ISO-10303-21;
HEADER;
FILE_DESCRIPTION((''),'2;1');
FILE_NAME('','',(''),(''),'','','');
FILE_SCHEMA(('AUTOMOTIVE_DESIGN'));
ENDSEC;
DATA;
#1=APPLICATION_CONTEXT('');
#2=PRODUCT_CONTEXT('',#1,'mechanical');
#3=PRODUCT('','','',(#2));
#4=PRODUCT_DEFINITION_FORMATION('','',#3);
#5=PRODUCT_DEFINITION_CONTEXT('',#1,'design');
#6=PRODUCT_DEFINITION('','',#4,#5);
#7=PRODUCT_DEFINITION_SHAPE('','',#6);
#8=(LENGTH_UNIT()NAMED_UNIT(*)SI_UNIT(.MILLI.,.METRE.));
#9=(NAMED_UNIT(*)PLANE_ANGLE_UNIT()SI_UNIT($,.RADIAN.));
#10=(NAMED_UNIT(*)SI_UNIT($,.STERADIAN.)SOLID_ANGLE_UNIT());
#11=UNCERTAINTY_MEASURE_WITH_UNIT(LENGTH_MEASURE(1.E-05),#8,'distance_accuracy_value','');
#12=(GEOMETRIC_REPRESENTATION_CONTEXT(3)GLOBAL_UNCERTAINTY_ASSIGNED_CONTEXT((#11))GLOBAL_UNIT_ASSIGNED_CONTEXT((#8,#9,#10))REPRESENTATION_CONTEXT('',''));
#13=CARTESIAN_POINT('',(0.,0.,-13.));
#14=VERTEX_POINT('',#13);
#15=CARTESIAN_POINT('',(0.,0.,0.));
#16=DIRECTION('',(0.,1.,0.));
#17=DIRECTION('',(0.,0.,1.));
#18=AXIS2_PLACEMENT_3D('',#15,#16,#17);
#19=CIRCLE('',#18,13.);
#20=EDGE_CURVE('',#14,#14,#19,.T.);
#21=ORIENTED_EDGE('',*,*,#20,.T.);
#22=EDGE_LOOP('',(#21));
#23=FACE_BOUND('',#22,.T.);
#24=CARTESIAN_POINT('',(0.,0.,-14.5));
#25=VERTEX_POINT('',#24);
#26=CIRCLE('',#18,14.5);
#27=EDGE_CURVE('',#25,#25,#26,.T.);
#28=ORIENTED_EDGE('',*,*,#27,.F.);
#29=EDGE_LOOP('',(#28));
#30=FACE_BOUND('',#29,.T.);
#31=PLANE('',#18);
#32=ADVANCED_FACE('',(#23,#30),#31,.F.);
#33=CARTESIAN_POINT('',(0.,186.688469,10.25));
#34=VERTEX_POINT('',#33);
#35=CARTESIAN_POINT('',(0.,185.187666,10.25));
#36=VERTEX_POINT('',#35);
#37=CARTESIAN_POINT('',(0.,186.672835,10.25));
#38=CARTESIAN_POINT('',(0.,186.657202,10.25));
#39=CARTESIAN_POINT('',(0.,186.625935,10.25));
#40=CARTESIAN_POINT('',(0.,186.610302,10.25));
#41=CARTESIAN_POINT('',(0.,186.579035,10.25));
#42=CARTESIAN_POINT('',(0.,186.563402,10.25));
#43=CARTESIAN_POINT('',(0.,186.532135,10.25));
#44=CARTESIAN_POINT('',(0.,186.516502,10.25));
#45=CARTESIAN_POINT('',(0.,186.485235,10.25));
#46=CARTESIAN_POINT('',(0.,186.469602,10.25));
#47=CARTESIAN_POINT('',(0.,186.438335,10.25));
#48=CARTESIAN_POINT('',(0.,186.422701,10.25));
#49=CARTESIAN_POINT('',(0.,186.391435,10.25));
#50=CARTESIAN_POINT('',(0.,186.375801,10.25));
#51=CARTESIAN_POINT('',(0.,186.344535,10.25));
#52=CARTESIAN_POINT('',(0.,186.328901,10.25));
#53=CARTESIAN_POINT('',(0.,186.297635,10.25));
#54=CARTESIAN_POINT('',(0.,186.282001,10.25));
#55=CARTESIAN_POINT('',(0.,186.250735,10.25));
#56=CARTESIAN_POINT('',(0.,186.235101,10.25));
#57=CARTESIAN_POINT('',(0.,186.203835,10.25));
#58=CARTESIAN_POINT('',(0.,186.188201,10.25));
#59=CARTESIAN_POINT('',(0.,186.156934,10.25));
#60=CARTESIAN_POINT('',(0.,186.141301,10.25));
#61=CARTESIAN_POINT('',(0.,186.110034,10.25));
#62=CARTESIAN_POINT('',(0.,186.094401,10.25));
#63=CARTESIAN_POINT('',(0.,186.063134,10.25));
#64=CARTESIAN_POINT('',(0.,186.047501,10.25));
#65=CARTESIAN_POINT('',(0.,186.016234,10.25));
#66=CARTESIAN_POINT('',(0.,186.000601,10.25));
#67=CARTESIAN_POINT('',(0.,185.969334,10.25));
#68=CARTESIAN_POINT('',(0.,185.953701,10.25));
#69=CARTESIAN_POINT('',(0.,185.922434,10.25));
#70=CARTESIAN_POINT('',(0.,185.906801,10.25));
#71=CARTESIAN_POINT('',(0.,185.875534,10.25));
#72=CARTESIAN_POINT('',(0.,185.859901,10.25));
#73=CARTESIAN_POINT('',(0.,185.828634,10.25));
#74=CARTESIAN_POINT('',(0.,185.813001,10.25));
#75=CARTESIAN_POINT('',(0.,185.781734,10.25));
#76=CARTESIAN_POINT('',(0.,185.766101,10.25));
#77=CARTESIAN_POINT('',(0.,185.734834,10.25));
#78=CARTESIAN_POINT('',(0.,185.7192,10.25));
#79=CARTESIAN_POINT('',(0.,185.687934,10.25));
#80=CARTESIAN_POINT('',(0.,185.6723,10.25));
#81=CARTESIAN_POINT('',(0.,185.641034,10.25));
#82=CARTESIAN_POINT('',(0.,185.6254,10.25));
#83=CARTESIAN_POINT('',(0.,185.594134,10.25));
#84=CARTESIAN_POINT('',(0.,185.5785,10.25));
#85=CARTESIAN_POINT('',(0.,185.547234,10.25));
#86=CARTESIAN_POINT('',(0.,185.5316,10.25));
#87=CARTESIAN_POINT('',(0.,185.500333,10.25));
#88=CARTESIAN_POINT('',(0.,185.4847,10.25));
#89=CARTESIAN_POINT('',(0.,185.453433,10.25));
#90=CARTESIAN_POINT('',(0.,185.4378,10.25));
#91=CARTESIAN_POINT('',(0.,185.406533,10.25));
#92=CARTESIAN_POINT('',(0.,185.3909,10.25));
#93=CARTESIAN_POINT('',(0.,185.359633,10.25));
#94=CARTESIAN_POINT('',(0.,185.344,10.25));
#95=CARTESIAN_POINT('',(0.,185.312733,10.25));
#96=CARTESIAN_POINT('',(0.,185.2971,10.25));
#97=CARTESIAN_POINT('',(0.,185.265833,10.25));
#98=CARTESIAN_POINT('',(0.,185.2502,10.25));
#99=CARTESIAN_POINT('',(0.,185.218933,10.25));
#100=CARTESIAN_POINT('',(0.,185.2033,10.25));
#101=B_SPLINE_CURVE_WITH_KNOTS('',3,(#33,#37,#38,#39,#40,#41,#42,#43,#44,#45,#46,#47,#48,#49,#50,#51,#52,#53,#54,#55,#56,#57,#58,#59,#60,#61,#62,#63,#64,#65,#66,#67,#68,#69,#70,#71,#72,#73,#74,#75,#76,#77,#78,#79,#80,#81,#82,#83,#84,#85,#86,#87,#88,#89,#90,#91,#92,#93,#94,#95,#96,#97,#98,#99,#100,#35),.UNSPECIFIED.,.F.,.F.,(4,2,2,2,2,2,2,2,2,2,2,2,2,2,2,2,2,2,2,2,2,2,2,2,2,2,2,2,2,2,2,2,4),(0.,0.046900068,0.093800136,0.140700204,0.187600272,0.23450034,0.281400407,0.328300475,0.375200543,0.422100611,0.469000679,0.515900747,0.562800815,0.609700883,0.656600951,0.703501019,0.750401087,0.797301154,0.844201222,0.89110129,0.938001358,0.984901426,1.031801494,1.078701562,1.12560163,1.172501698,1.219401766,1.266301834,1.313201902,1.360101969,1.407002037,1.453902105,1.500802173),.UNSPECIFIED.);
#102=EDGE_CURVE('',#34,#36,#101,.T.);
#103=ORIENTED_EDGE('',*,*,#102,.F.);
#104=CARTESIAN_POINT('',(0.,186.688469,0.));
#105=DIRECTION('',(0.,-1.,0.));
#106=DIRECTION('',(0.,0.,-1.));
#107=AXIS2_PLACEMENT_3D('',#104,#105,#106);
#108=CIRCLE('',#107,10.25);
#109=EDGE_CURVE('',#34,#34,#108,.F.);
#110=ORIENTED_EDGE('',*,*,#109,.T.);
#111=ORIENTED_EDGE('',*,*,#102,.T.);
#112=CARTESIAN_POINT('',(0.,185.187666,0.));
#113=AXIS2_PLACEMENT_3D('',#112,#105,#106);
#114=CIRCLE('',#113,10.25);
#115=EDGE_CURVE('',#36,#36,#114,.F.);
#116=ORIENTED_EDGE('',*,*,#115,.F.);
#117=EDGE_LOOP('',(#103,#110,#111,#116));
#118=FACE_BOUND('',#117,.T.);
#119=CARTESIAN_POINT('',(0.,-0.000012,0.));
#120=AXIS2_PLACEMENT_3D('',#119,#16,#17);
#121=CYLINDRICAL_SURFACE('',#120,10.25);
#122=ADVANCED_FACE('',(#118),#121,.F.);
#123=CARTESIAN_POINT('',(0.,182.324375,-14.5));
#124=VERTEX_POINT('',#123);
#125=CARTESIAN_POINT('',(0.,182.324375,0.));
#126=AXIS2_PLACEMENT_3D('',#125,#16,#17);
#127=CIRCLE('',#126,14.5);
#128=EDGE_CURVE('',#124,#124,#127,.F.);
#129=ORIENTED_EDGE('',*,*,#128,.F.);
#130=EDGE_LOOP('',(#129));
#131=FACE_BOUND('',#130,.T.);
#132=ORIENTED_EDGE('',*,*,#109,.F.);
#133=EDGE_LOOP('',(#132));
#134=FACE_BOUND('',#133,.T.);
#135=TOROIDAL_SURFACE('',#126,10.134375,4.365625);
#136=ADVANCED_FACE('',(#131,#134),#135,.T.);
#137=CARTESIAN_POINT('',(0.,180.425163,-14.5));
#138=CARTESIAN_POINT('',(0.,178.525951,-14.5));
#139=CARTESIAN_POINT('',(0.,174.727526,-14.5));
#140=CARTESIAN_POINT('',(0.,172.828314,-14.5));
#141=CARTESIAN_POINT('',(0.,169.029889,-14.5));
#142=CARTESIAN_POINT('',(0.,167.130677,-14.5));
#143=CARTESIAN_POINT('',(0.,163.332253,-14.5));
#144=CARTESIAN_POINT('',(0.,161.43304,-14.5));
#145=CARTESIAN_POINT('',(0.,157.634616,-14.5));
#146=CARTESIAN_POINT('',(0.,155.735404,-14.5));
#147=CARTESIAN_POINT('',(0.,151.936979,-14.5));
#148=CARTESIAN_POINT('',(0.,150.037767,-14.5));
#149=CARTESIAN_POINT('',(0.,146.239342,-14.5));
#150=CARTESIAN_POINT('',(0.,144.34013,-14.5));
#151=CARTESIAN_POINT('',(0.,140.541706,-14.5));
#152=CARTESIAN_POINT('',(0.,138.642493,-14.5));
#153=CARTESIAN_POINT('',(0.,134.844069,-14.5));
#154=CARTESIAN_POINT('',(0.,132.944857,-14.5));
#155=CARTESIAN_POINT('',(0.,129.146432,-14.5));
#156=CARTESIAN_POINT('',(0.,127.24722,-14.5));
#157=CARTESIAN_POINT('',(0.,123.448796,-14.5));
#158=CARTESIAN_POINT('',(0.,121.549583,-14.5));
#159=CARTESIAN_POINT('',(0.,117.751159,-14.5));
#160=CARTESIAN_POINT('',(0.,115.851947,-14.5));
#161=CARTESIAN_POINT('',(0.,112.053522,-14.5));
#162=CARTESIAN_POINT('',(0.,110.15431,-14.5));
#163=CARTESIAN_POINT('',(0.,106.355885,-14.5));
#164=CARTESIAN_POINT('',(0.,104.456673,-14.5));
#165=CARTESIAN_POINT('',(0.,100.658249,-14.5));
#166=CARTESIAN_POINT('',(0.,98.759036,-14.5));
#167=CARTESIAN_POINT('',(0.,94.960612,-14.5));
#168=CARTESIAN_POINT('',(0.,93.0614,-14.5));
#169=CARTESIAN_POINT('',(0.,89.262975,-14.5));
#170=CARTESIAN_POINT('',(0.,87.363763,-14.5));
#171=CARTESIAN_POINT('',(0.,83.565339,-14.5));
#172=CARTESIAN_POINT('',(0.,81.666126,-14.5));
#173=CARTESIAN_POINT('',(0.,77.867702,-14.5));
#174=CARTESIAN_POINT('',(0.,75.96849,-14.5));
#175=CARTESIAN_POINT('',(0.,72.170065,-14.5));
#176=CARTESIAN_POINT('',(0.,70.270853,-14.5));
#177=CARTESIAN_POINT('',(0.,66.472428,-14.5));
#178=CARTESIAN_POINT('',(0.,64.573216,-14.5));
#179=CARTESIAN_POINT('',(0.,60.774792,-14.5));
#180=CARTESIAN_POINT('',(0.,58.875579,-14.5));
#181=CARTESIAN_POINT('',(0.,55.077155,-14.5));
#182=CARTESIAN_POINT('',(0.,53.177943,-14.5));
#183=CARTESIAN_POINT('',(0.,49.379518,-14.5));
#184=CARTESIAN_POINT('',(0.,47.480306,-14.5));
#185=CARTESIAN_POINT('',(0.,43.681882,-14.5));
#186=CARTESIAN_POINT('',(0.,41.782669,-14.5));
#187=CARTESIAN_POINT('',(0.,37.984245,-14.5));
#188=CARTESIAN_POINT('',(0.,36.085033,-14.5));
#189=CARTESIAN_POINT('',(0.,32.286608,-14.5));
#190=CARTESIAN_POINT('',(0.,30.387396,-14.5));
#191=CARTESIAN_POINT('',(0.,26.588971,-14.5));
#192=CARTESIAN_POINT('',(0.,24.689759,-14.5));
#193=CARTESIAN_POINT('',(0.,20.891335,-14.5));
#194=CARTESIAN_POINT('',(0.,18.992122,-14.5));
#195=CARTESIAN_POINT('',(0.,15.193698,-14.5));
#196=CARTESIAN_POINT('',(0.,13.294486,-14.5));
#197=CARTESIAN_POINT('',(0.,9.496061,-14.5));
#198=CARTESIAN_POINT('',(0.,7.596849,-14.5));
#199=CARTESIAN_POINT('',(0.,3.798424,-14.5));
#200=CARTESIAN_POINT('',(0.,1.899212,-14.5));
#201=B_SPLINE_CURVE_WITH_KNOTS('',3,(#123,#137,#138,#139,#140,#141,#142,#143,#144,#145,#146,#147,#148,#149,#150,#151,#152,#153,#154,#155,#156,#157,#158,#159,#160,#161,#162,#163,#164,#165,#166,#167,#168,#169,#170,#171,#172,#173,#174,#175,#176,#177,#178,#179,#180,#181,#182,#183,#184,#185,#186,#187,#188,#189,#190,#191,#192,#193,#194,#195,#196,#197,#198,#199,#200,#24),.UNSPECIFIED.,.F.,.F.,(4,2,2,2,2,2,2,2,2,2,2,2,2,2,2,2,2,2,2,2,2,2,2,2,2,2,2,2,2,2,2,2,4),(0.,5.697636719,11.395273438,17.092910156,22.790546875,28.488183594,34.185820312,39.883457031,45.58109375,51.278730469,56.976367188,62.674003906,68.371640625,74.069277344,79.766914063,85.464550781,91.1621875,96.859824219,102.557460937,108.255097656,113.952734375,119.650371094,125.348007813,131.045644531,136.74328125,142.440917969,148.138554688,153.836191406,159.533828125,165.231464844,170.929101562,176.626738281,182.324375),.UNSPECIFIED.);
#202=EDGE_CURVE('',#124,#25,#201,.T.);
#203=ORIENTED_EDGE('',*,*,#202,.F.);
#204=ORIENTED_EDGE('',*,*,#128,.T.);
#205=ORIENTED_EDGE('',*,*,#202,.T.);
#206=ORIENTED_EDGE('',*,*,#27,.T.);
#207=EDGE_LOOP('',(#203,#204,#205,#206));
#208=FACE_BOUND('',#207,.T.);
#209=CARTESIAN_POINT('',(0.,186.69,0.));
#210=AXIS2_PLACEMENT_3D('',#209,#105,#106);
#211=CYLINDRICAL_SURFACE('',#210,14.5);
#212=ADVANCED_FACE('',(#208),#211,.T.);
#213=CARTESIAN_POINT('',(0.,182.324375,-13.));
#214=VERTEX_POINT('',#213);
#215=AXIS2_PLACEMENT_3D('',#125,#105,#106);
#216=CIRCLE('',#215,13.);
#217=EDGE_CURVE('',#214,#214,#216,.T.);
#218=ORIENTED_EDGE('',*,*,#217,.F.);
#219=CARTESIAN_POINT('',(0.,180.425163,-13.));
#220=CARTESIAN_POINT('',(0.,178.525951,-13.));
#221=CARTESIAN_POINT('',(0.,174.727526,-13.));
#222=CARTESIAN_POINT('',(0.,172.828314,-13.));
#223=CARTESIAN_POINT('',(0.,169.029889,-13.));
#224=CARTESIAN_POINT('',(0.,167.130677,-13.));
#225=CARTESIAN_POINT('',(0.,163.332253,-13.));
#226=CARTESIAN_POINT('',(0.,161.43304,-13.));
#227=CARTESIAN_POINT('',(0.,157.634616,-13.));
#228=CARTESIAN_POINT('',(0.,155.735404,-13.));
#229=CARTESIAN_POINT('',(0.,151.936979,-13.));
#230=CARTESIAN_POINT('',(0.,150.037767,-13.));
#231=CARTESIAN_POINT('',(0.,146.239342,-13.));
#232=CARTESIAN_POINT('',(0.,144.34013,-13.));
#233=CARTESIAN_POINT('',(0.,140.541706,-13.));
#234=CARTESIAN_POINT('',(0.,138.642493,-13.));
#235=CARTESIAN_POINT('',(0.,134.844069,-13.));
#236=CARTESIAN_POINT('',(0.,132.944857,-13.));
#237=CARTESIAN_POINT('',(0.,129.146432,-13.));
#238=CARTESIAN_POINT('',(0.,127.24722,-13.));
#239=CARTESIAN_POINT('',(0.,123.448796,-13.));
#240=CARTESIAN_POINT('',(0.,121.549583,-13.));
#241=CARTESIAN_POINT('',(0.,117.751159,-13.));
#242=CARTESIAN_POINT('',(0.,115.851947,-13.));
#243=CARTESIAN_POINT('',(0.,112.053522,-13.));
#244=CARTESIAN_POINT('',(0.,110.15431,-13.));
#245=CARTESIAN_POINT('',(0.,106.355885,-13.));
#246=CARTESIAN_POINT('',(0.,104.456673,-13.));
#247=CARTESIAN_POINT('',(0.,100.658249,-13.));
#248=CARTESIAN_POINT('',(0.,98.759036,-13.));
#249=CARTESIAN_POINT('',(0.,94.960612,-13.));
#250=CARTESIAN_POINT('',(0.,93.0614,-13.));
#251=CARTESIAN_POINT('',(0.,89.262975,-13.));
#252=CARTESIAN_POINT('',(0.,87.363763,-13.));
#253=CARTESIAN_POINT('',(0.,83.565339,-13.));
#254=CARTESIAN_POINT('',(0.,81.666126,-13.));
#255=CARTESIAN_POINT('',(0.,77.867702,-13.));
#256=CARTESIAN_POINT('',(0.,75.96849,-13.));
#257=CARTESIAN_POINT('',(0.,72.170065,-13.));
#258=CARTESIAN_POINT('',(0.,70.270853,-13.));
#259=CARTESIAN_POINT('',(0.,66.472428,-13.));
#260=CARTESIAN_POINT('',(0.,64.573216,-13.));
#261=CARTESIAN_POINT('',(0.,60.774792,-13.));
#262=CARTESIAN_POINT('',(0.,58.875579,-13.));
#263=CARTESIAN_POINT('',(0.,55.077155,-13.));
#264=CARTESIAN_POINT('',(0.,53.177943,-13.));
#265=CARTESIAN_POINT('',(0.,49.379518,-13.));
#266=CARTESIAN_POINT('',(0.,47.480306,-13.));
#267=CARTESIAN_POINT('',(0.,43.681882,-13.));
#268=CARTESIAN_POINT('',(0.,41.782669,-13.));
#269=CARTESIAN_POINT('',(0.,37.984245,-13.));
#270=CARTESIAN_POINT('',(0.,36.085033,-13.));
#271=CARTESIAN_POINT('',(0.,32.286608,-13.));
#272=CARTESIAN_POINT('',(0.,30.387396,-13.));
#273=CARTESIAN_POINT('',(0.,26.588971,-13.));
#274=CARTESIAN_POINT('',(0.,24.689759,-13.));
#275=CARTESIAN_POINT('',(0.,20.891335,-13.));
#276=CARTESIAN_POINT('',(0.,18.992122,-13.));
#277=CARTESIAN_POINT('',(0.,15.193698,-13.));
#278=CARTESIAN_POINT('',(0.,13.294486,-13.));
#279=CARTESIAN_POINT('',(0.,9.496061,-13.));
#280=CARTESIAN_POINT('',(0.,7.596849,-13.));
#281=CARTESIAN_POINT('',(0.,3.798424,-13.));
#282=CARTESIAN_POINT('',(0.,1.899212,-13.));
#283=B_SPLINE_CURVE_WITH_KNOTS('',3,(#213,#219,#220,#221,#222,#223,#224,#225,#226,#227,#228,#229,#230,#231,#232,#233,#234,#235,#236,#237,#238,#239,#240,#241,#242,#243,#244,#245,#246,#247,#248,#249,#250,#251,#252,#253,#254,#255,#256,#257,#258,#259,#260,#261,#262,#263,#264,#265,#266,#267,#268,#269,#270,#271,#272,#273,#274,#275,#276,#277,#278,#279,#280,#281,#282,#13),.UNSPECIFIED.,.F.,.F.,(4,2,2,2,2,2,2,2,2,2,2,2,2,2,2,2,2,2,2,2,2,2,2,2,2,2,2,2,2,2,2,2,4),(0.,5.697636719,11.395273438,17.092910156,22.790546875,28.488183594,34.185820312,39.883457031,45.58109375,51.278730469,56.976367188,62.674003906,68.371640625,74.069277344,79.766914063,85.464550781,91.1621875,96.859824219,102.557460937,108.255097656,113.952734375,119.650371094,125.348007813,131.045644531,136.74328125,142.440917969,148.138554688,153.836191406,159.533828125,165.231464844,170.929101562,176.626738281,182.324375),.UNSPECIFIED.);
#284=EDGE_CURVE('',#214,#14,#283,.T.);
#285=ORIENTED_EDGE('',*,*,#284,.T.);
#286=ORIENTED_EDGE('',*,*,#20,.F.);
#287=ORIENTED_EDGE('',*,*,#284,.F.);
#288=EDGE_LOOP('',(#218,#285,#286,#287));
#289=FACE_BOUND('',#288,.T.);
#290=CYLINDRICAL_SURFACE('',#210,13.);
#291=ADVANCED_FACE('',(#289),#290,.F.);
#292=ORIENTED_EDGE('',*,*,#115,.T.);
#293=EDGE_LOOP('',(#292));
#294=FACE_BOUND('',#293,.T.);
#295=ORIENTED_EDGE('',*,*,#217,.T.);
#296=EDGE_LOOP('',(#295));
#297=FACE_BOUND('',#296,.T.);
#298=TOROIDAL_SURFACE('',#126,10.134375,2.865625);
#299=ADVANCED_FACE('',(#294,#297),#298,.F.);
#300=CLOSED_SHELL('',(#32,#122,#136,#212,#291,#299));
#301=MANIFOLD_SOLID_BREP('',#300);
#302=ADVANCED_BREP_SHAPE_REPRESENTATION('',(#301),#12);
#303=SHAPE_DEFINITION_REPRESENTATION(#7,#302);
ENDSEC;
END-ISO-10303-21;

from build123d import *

# Parameters (mm, degrees)
SKETCH1_R           = 14.5
BASE_DEPTH          = 186.69
TOP_FILLET_R        = 4.365625
CASING_WALLS_T      = -1.5
SKETCH2_R           = 10.25
TOP_HOLE_DEPTH      = 188.812821995
TOP_HOLE_DEPTH_BACK = 188.812821995


with BuildPart() as part:
    # Sketch1 → base (new body)
    with BuildSketch(Plane(origin=(0, 0, 0), x_dir=(1, 0, 0), z_dir=(0, 1, 0))):
        with Locations(Location((0, 0, 0), (0, 0, 90))):
            Circle(SKETCH1_R)
    extrude(amount=BASE_DEPTH)

    # top-fillet
    top_fillet_edges = [part.edges().sort_by_distance(p)[0] for p in [
        (0, 186.69, 14.5),
    ]]
    fillet(top_fillet_edges, radius=TOP_FILLET_R)

    # casing-walls
    casing_walls_openings = [part.faces().sort_by_distance(p)[0] for p in [
        (0, 0, 0),
    ]]
    offset(amount=CASING_WALLS_T, openings=casing_walls_openings, kind=Kind.INTERSECTION)

    # Sketch2 → top-hole (cut, two sides)
    with BuildSketch(Plane(origin=(0, 0, 0), x_dir=(1, 0, 0), z_dir=(0, 1, 0))) as top_hole_sk:
        with Locations(Location((0, 0, 0), (0, 0, 270))):
            Circle(SKETCH2_R)
    extrude(amount=TOP_HOLE_DEPTH, mode=Mode.SUBTRACT)
    extrude(top_hole_sk.sketch, amount=-TOP_HOLE_DEPTH_BACK, mode=Mode.SUBTRACT)


solid = part.part
